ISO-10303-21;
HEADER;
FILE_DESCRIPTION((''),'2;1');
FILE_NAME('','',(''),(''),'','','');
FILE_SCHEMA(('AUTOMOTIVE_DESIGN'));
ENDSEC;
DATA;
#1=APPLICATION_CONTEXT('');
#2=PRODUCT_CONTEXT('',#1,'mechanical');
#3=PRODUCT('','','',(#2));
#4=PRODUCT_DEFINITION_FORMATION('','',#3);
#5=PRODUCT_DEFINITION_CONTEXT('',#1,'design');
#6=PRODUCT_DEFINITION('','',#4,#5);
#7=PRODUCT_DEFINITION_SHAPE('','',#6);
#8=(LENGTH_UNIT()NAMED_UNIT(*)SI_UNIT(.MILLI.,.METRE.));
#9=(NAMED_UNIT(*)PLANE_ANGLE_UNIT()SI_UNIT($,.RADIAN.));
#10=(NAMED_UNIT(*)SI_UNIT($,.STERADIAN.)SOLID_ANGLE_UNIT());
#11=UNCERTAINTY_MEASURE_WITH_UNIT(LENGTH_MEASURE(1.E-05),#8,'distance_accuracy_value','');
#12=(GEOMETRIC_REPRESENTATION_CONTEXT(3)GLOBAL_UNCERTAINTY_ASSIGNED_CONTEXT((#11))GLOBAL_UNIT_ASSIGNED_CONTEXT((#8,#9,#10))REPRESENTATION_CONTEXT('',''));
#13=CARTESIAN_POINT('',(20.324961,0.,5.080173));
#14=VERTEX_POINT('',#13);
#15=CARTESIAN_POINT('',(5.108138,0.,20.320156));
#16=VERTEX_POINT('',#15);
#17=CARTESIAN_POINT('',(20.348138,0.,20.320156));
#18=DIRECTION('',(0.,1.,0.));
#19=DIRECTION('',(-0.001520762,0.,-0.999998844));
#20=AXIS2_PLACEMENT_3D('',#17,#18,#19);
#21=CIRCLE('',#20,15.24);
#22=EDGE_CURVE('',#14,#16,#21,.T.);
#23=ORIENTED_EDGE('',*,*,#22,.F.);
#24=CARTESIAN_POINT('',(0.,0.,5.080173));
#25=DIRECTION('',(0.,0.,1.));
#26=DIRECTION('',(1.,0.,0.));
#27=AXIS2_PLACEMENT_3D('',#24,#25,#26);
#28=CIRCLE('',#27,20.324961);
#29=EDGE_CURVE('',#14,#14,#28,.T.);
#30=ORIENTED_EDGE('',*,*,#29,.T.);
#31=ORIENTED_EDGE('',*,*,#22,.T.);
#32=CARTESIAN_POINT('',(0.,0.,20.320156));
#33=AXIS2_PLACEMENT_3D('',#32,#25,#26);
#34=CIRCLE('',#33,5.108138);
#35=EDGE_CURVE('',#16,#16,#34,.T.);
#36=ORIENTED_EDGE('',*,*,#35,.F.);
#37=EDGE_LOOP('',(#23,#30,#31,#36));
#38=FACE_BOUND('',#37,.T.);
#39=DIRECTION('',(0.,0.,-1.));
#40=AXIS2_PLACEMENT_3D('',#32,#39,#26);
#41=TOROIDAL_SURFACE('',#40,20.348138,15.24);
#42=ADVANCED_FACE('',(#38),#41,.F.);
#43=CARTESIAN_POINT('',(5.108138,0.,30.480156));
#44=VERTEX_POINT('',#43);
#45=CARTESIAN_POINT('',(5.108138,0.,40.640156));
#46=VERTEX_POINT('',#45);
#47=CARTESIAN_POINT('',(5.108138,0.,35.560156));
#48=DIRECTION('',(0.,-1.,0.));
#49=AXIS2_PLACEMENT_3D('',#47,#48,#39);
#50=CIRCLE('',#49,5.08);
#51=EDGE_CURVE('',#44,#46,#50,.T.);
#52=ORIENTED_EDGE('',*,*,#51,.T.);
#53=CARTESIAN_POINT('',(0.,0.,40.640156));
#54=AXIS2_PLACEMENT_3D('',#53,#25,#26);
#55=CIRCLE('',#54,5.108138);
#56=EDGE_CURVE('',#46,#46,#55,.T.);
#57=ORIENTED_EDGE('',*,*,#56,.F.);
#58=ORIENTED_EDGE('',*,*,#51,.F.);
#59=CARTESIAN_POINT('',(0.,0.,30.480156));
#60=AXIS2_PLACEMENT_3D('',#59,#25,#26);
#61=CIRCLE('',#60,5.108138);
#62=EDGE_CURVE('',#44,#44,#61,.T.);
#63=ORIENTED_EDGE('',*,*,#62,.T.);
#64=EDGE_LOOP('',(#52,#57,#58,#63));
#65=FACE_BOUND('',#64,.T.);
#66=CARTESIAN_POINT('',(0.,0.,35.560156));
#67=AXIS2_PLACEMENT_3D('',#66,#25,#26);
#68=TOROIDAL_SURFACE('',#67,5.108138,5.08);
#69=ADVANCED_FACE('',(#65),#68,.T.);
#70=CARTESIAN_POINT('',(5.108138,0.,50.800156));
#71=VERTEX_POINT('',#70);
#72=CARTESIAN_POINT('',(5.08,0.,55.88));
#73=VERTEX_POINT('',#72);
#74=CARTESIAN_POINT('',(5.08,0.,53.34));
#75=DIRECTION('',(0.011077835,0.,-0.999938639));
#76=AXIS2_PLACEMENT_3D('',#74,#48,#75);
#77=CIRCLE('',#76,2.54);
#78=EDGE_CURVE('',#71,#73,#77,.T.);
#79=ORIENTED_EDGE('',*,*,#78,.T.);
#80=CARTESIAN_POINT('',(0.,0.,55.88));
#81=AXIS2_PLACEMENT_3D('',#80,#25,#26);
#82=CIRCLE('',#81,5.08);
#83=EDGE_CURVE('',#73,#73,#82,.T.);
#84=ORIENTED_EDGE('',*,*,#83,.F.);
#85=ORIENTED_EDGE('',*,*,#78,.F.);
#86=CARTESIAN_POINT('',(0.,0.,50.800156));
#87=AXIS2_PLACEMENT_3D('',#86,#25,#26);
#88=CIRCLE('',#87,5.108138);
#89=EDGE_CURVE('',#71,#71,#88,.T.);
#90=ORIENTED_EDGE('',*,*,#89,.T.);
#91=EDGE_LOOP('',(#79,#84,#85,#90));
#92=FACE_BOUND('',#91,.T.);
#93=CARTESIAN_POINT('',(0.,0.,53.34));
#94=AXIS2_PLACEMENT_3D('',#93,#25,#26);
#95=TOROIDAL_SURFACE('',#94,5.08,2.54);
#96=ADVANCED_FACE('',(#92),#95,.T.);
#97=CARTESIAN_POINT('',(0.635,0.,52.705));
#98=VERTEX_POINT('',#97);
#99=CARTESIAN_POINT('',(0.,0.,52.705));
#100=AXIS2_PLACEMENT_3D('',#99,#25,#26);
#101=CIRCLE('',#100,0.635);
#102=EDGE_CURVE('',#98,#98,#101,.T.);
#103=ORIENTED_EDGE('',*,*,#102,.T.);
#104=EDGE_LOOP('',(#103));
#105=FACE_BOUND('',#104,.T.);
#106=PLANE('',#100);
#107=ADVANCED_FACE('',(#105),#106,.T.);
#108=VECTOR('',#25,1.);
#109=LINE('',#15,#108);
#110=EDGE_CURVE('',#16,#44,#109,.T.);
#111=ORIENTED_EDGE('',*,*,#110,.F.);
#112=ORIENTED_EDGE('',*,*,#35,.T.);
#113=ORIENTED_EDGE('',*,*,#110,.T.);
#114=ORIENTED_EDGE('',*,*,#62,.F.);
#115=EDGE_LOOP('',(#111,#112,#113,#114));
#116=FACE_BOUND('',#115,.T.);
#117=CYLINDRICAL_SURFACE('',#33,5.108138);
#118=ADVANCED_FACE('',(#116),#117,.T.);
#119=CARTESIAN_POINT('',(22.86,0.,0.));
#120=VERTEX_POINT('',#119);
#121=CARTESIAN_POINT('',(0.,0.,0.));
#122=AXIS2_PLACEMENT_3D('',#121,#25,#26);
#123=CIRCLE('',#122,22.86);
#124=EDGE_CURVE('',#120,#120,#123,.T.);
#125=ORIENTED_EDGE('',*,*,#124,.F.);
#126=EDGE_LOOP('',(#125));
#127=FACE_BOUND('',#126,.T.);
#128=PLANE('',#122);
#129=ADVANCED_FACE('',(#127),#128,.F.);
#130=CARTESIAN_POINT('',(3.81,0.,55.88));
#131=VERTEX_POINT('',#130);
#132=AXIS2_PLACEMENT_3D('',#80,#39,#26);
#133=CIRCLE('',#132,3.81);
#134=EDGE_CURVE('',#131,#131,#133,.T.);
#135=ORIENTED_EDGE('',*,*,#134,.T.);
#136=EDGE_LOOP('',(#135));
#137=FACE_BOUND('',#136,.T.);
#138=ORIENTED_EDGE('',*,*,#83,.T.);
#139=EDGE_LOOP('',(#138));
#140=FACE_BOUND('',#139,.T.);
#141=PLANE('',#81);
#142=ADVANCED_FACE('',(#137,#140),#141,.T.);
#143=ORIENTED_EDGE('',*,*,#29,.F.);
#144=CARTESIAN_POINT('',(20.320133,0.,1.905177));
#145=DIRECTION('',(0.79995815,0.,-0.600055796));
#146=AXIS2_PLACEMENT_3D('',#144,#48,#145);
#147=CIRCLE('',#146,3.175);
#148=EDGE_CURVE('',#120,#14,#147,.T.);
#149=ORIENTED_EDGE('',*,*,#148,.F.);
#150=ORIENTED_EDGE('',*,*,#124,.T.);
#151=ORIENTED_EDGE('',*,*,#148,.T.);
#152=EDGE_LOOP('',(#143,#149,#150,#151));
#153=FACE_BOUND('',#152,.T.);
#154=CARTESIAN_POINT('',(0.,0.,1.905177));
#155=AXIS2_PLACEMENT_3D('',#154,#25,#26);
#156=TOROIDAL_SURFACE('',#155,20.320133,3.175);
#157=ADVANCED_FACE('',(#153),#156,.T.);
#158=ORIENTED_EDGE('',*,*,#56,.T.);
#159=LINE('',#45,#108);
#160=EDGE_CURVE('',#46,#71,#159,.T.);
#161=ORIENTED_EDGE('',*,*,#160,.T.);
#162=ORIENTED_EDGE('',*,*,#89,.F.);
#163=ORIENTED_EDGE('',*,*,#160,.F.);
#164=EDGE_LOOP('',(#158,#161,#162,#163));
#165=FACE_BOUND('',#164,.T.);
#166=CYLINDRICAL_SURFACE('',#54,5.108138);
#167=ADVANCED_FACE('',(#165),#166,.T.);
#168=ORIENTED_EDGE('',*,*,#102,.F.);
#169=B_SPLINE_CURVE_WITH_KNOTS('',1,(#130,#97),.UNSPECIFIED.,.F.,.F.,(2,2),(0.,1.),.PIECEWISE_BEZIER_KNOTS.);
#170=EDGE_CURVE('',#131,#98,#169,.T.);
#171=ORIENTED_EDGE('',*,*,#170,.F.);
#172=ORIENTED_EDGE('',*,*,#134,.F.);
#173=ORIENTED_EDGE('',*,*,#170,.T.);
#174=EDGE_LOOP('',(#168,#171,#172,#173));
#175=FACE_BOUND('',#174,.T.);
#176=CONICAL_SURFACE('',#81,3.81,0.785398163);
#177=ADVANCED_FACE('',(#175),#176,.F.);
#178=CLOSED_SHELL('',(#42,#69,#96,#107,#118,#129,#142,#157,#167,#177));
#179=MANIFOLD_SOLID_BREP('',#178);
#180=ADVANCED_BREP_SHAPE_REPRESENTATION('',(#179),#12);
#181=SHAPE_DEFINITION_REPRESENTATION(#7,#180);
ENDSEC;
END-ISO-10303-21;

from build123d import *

# Parameters (mm, degrees)
F4_R     = 3.81
F5_DEPTH = 3.175
F5_TAPER = 45


with BuildPart() as f1:
    # F0 (on Front) → F1 (revolve)
    with BuildSketch(Plane.XZ):
        with BuildLine():
            Line((0, 0), (22.86, 0))
            ThreePointArc((22.86, 0), (23.1610674908, 3.3228215), (20.3249612916, 5.0801734801))
            ThreePointArc((20.3249612916, 5.0801734801), (9.5636393697, 9.5520457272), (5.1081376997, 20.3201558572))
            Line((5.1081376997, 20.3201558572), (5.1081376997, 30.4801558572))
            ThreePointArc((5.1081376997, 30.4801558572), (10.1881376997, 35.5601558572), (5.1081376997, 40.6401558572))
            Line((5.1081376997, 40.6401558572), (5.1081376997, 50.8001558572))
            ThreePointArc((5.1081376997, 50.8001558572), (7.6199610354, 53.3540690657), (5.08, 55.88))
            Line((5.08, 55.88), (0, 55.88))
            Line((0, 55.88), (0, 0))
        make_face()
    revolve(axis=Axis((0, 0, 27.94), (0, 0, 1)))

    # F4 (on face) → F5 (cut, symmetric)
    with BuildSketch(Plane.XY.offset(55.88)):
        Circle(F4_R)
    extrude(amount=F5_DEPTH, both=True, taper=F5_TAPER, mode=Mode.SUBTRACT)


solid = f1.part
